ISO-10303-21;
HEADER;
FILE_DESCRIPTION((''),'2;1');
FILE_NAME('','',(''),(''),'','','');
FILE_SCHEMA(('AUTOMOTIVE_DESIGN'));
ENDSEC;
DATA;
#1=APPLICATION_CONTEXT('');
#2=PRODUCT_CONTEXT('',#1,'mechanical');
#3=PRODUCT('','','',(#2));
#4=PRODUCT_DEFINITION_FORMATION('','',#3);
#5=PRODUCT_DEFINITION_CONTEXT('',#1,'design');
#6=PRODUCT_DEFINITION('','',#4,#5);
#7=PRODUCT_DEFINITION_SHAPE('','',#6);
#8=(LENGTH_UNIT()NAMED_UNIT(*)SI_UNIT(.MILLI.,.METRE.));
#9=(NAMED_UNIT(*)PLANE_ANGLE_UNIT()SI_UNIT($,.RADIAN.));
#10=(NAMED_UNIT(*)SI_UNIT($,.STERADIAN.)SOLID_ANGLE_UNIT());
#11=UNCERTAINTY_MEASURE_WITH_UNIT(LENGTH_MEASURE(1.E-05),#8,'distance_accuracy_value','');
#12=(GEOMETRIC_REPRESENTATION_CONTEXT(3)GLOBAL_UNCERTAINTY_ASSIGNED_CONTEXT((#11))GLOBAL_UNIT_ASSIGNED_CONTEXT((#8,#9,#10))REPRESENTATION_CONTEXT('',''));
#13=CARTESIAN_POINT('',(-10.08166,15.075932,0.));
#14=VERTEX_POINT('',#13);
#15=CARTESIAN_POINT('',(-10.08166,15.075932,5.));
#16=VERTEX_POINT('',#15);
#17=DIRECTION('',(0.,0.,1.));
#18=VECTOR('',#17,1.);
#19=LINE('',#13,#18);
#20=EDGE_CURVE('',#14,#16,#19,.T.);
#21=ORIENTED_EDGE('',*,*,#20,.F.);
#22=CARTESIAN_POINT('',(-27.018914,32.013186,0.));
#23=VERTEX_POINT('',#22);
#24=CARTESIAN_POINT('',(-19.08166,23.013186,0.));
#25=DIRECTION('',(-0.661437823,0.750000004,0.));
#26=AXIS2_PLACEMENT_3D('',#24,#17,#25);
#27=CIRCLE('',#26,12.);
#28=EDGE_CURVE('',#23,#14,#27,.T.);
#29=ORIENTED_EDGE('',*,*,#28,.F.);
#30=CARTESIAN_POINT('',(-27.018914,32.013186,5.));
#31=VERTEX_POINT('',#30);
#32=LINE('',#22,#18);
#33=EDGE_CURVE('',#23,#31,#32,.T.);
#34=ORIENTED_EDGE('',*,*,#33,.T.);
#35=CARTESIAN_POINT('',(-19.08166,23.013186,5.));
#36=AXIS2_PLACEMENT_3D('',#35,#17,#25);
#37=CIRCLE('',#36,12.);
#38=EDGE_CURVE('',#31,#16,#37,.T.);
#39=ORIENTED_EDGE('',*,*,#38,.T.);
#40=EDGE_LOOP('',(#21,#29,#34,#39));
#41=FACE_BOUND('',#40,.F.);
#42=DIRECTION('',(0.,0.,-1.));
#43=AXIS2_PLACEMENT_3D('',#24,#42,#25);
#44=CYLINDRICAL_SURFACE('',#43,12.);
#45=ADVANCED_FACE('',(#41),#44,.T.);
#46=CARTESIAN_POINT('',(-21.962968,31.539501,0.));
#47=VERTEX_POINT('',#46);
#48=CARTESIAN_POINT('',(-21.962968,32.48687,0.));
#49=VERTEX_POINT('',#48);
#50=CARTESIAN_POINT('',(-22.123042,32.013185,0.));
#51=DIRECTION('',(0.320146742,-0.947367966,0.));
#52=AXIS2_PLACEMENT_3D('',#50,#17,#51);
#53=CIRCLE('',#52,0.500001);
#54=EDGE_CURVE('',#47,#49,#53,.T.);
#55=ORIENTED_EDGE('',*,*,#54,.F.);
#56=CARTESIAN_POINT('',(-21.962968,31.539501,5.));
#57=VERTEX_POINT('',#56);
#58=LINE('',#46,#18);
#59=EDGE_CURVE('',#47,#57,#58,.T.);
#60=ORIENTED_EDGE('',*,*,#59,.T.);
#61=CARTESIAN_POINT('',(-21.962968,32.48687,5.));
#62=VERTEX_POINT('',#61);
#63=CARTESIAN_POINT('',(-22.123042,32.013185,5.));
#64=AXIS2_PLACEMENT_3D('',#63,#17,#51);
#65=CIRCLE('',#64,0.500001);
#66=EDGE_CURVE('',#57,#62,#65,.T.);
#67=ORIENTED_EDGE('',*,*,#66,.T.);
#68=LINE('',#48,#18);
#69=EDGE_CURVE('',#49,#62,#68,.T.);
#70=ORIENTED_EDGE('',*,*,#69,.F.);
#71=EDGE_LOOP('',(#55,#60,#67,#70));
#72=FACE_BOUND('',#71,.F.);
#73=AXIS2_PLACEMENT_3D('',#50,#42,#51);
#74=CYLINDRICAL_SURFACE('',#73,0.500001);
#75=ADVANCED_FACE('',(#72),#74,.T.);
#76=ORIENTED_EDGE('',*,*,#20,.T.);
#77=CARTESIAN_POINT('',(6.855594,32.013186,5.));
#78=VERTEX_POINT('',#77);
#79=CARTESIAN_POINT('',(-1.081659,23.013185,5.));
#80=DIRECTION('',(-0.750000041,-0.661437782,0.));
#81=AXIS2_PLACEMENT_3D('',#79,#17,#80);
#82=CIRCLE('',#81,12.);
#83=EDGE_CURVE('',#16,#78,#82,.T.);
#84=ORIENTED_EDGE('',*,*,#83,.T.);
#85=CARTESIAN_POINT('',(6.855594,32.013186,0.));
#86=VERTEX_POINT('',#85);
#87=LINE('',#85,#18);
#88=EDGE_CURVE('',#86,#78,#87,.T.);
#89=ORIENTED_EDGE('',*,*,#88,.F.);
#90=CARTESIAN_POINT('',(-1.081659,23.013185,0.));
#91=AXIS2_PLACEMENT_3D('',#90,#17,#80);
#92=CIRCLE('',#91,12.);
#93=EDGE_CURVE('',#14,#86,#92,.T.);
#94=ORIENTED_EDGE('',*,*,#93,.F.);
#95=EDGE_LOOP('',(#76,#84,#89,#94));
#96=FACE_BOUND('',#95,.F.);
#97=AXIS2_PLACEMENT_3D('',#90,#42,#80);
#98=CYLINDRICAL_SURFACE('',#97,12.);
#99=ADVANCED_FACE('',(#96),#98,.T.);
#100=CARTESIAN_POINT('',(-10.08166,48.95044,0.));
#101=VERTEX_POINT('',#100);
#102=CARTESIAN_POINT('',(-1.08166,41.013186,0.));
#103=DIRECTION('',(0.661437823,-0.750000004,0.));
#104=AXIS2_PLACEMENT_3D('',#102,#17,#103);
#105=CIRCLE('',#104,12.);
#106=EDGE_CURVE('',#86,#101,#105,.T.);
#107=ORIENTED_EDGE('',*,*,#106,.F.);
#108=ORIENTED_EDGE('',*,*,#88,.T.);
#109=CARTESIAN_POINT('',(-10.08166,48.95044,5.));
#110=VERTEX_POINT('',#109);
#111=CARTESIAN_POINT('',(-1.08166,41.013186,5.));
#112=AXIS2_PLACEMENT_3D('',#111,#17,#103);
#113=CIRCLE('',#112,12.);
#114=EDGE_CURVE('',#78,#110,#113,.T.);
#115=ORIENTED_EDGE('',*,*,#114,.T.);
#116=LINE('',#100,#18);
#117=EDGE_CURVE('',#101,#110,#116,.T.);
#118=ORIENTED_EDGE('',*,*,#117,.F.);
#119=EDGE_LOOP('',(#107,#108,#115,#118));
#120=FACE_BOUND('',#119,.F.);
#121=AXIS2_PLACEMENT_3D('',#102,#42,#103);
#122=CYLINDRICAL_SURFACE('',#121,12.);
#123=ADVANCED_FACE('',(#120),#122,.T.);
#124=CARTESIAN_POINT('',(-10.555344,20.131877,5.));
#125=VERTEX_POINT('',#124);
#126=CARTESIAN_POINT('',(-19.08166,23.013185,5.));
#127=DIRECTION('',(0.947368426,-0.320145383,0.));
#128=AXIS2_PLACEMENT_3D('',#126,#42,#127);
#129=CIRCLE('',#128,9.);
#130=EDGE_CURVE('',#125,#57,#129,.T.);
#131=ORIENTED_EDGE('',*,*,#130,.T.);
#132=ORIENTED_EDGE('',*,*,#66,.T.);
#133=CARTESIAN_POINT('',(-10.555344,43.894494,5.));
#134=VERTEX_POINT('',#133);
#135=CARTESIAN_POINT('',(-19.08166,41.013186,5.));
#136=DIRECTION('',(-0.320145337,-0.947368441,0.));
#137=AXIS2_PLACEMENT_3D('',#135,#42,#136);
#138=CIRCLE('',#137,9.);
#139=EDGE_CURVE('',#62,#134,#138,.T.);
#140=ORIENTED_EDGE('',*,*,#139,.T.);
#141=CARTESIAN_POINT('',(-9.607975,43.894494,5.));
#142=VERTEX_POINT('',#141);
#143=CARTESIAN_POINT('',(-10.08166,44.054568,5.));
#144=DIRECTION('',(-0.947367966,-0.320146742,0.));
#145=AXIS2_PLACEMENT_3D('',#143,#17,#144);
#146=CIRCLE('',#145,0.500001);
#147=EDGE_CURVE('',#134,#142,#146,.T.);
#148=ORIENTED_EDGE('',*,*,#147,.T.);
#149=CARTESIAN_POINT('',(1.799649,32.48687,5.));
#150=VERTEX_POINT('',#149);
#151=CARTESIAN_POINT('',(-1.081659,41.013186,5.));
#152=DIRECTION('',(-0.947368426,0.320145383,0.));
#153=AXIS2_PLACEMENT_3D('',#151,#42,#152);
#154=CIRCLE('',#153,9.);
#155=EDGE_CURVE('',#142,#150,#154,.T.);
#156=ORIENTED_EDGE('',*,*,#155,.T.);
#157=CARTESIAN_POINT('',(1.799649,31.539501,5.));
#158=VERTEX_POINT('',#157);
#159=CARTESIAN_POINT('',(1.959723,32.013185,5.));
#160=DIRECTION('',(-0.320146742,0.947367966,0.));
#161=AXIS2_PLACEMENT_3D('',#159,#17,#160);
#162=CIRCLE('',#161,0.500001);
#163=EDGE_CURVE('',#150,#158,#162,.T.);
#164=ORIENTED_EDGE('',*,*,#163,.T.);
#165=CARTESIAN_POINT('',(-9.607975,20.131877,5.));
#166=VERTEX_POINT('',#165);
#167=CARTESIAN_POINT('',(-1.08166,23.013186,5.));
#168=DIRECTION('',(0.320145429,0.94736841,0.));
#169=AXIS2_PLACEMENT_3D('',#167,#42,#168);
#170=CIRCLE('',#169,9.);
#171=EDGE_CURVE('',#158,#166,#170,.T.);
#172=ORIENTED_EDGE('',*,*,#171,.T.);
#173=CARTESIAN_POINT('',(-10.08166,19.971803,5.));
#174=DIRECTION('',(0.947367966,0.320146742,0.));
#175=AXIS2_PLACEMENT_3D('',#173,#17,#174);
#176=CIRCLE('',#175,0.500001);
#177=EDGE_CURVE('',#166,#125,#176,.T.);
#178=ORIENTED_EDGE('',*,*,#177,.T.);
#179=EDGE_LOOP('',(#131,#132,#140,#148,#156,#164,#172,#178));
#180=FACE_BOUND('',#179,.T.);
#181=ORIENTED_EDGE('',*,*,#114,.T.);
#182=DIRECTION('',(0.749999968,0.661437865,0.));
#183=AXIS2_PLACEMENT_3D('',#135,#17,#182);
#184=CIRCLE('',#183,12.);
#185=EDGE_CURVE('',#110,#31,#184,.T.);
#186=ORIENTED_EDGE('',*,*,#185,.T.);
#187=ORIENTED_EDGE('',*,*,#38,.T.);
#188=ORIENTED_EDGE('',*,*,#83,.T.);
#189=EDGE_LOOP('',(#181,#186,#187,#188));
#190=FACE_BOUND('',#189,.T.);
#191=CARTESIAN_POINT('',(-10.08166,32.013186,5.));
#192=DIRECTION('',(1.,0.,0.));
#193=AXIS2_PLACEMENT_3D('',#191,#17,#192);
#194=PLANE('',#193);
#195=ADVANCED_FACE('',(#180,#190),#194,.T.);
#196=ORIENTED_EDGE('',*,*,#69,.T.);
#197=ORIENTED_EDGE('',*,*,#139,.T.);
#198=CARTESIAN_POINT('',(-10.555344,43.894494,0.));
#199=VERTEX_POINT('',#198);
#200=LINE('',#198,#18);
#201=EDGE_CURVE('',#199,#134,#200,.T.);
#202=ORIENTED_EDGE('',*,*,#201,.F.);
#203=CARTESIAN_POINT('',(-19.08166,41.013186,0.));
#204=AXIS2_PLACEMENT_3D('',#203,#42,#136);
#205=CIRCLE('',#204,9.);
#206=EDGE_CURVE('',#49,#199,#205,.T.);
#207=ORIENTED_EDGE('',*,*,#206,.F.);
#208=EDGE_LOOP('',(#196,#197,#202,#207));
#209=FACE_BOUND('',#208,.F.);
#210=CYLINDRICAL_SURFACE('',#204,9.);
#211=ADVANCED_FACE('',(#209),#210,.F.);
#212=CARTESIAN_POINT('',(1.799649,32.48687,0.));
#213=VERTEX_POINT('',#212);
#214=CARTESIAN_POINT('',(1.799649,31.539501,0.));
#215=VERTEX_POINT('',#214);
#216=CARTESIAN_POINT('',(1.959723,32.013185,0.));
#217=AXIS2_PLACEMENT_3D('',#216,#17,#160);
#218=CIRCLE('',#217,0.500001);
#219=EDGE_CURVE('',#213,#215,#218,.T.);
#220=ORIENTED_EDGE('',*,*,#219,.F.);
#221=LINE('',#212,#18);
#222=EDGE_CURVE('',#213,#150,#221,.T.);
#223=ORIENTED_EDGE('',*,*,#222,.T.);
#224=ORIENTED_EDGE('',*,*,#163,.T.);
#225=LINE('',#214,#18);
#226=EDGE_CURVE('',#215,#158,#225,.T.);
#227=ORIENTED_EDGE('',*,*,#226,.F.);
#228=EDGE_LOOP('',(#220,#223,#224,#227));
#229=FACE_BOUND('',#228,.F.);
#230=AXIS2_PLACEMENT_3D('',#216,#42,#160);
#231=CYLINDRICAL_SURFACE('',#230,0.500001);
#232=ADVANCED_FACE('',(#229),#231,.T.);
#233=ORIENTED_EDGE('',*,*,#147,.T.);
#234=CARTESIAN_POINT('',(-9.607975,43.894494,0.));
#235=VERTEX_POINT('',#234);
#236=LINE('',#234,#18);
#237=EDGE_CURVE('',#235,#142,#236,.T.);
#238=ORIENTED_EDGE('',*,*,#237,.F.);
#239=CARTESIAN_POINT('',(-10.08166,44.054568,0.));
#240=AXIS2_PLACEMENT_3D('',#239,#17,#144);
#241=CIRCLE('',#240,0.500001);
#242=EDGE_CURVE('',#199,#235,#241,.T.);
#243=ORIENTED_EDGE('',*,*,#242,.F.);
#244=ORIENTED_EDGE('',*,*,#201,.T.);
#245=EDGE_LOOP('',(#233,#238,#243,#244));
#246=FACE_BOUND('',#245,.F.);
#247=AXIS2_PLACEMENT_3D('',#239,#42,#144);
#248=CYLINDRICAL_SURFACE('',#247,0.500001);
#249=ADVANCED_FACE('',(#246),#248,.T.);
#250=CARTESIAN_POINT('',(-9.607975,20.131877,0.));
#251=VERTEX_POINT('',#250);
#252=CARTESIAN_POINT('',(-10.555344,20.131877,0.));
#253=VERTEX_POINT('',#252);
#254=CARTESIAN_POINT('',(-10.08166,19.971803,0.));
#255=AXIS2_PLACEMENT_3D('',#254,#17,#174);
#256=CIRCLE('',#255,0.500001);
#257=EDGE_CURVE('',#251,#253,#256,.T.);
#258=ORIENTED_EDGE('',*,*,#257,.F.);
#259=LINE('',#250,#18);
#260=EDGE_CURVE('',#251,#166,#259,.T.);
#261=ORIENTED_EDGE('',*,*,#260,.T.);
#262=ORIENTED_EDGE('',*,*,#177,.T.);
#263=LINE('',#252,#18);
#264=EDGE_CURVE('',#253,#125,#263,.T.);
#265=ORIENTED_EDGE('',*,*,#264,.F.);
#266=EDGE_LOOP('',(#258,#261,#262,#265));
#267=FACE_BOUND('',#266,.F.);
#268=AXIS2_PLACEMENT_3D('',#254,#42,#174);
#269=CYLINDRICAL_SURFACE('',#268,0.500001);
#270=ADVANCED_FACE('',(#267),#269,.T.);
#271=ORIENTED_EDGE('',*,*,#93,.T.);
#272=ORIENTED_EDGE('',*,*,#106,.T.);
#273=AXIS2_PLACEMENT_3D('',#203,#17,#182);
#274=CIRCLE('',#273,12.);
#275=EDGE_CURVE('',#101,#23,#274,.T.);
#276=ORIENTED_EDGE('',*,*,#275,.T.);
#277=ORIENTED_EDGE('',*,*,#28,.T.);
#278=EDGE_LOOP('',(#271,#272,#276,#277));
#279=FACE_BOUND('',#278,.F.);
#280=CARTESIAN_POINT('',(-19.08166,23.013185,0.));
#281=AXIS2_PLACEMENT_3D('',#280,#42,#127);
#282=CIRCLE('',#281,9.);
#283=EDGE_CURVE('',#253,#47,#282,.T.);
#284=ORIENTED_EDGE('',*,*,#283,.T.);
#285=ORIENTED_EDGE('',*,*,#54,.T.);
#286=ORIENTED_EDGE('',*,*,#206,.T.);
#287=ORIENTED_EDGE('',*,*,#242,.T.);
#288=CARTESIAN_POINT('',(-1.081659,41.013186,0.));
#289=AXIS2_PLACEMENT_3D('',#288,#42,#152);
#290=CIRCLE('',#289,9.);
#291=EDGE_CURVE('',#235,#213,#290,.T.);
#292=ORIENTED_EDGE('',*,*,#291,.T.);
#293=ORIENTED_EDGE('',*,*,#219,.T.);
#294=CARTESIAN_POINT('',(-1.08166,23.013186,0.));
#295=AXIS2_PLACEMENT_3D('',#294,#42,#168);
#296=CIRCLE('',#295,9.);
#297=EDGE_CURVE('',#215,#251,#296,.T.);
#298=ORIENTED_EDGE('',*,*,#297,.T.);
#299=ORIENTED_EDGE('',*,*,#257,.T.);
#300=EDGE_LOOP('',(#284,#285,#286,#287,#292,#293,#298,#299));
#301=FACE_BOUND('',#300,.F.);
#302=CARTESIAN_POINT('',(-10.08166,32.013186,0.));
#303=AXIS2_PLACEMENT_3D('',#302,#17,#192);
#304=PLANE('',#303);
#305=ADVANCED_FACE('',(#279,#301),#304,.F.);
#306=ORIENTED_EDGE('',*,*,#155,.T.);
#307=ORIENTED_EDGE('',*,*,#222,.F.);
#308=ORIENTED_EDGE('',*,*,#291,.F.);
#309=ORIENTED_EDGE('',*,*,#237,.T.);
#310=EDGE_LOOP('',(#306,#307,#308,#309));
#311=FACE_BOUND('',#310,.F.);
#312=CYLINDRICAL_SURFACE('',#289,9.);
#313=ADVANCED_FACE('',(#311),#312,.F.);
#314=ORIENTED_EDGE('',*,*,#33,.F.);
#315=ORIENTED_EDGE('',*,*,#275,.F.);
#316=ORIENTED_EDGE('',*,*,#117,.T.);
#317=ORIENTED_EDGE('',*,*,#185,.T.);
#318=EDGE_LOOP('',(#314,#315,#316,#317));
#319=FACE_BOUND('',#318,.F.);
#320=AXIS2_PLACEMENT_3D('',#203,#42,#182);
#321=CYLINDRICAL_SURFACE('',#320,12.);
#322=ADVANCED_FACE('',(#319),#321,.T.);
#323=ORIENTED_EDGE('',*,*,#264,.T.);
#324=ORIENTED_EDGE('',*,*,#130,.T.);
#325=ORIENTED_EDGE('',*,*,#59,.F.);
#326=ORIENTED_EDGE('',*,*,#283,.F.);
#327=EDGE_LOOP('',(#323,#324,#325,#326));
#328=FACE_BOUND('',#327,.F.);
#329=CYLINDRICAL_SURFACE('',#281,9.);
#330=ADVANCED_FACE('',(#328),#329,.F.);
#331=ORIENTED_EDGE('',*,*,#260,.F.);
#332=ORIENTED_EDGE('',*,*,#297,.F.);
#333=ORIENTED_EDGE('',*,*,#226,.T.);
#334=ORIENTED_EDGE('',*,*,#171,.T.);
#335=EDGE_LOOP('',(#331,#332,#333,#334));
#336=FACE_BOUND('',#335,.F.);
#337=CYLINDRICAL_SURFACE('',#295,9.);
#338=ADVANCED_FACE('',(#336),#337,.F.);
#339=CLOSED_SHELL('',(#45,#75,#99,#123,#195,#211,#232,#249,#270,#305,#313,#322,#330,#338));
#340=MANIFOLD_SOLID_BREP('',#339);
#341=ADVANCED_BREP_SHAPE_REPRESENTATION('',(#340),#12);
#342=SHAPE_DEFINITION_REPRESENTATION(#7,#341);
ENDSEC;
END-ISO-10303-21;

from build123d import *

# Parameters (mm, degrees)
F1_DEPTH = 5


with BuildPart() as f1:
    # F0 (on Top) → F1 (new body)
    with BuildSketch(Plane.XY):
        with BuildLine():
            ThreePointArc((6.855594, 32.013186), (7.403622, 49.498467), (-10.08166, 48.95044))
            ThreePointArc((-10.08166, 48.95044), (-27.566941, 49.498467), (-27.018914, 32.013186))
            ThreePointArc((-27.018914, 32.013186), (-27.566941, 14.527904), (-10.08166, 15.075932))
            ThreePointArc((-10.08166, 15.075932), (7.403622, 14.527904), (6.855594, 32.013186))
        make_face()
        with BuildLine():
            ThreePointArc((-10.555344, 20.131877), (-25.445621, 16.649225), (-21.962968, 31.539501))
            ThreePointArc((-21.962968, 31.539501), (-21.623041, 32.013186), (-21.962968, 32.48687))
            ThreePointArc((-21.962968, 32.48687), (-25.445621, 47.377147), (-10.555344, 43.894494))
            ThreePointArc((-10.555344, 43.894494), (-10.08166, 43.554567), (-9.607975, 43.894494))
            ThreePointArc((-9.607975, 43.894494), (5.282301, 47.377147), (1.799649, 32.48687))
            ThreePointArc((1.799649, 32.48687), (1.459722, 32.013186), (1.799649, 31.539501))
            ThreePointArc((1.799649, 31.539501), (5.282301, 16.649225), (-9.607975, 20.131877))
            ThreePointArc((-9.607975, 20.131877), (-10.08166, 20.471804), (-10.555344, 20.131877))
        make_face(mode=Mode.SUBTRACT)
    extrude(amount=F1_DEPTH)


solid = f1.part
